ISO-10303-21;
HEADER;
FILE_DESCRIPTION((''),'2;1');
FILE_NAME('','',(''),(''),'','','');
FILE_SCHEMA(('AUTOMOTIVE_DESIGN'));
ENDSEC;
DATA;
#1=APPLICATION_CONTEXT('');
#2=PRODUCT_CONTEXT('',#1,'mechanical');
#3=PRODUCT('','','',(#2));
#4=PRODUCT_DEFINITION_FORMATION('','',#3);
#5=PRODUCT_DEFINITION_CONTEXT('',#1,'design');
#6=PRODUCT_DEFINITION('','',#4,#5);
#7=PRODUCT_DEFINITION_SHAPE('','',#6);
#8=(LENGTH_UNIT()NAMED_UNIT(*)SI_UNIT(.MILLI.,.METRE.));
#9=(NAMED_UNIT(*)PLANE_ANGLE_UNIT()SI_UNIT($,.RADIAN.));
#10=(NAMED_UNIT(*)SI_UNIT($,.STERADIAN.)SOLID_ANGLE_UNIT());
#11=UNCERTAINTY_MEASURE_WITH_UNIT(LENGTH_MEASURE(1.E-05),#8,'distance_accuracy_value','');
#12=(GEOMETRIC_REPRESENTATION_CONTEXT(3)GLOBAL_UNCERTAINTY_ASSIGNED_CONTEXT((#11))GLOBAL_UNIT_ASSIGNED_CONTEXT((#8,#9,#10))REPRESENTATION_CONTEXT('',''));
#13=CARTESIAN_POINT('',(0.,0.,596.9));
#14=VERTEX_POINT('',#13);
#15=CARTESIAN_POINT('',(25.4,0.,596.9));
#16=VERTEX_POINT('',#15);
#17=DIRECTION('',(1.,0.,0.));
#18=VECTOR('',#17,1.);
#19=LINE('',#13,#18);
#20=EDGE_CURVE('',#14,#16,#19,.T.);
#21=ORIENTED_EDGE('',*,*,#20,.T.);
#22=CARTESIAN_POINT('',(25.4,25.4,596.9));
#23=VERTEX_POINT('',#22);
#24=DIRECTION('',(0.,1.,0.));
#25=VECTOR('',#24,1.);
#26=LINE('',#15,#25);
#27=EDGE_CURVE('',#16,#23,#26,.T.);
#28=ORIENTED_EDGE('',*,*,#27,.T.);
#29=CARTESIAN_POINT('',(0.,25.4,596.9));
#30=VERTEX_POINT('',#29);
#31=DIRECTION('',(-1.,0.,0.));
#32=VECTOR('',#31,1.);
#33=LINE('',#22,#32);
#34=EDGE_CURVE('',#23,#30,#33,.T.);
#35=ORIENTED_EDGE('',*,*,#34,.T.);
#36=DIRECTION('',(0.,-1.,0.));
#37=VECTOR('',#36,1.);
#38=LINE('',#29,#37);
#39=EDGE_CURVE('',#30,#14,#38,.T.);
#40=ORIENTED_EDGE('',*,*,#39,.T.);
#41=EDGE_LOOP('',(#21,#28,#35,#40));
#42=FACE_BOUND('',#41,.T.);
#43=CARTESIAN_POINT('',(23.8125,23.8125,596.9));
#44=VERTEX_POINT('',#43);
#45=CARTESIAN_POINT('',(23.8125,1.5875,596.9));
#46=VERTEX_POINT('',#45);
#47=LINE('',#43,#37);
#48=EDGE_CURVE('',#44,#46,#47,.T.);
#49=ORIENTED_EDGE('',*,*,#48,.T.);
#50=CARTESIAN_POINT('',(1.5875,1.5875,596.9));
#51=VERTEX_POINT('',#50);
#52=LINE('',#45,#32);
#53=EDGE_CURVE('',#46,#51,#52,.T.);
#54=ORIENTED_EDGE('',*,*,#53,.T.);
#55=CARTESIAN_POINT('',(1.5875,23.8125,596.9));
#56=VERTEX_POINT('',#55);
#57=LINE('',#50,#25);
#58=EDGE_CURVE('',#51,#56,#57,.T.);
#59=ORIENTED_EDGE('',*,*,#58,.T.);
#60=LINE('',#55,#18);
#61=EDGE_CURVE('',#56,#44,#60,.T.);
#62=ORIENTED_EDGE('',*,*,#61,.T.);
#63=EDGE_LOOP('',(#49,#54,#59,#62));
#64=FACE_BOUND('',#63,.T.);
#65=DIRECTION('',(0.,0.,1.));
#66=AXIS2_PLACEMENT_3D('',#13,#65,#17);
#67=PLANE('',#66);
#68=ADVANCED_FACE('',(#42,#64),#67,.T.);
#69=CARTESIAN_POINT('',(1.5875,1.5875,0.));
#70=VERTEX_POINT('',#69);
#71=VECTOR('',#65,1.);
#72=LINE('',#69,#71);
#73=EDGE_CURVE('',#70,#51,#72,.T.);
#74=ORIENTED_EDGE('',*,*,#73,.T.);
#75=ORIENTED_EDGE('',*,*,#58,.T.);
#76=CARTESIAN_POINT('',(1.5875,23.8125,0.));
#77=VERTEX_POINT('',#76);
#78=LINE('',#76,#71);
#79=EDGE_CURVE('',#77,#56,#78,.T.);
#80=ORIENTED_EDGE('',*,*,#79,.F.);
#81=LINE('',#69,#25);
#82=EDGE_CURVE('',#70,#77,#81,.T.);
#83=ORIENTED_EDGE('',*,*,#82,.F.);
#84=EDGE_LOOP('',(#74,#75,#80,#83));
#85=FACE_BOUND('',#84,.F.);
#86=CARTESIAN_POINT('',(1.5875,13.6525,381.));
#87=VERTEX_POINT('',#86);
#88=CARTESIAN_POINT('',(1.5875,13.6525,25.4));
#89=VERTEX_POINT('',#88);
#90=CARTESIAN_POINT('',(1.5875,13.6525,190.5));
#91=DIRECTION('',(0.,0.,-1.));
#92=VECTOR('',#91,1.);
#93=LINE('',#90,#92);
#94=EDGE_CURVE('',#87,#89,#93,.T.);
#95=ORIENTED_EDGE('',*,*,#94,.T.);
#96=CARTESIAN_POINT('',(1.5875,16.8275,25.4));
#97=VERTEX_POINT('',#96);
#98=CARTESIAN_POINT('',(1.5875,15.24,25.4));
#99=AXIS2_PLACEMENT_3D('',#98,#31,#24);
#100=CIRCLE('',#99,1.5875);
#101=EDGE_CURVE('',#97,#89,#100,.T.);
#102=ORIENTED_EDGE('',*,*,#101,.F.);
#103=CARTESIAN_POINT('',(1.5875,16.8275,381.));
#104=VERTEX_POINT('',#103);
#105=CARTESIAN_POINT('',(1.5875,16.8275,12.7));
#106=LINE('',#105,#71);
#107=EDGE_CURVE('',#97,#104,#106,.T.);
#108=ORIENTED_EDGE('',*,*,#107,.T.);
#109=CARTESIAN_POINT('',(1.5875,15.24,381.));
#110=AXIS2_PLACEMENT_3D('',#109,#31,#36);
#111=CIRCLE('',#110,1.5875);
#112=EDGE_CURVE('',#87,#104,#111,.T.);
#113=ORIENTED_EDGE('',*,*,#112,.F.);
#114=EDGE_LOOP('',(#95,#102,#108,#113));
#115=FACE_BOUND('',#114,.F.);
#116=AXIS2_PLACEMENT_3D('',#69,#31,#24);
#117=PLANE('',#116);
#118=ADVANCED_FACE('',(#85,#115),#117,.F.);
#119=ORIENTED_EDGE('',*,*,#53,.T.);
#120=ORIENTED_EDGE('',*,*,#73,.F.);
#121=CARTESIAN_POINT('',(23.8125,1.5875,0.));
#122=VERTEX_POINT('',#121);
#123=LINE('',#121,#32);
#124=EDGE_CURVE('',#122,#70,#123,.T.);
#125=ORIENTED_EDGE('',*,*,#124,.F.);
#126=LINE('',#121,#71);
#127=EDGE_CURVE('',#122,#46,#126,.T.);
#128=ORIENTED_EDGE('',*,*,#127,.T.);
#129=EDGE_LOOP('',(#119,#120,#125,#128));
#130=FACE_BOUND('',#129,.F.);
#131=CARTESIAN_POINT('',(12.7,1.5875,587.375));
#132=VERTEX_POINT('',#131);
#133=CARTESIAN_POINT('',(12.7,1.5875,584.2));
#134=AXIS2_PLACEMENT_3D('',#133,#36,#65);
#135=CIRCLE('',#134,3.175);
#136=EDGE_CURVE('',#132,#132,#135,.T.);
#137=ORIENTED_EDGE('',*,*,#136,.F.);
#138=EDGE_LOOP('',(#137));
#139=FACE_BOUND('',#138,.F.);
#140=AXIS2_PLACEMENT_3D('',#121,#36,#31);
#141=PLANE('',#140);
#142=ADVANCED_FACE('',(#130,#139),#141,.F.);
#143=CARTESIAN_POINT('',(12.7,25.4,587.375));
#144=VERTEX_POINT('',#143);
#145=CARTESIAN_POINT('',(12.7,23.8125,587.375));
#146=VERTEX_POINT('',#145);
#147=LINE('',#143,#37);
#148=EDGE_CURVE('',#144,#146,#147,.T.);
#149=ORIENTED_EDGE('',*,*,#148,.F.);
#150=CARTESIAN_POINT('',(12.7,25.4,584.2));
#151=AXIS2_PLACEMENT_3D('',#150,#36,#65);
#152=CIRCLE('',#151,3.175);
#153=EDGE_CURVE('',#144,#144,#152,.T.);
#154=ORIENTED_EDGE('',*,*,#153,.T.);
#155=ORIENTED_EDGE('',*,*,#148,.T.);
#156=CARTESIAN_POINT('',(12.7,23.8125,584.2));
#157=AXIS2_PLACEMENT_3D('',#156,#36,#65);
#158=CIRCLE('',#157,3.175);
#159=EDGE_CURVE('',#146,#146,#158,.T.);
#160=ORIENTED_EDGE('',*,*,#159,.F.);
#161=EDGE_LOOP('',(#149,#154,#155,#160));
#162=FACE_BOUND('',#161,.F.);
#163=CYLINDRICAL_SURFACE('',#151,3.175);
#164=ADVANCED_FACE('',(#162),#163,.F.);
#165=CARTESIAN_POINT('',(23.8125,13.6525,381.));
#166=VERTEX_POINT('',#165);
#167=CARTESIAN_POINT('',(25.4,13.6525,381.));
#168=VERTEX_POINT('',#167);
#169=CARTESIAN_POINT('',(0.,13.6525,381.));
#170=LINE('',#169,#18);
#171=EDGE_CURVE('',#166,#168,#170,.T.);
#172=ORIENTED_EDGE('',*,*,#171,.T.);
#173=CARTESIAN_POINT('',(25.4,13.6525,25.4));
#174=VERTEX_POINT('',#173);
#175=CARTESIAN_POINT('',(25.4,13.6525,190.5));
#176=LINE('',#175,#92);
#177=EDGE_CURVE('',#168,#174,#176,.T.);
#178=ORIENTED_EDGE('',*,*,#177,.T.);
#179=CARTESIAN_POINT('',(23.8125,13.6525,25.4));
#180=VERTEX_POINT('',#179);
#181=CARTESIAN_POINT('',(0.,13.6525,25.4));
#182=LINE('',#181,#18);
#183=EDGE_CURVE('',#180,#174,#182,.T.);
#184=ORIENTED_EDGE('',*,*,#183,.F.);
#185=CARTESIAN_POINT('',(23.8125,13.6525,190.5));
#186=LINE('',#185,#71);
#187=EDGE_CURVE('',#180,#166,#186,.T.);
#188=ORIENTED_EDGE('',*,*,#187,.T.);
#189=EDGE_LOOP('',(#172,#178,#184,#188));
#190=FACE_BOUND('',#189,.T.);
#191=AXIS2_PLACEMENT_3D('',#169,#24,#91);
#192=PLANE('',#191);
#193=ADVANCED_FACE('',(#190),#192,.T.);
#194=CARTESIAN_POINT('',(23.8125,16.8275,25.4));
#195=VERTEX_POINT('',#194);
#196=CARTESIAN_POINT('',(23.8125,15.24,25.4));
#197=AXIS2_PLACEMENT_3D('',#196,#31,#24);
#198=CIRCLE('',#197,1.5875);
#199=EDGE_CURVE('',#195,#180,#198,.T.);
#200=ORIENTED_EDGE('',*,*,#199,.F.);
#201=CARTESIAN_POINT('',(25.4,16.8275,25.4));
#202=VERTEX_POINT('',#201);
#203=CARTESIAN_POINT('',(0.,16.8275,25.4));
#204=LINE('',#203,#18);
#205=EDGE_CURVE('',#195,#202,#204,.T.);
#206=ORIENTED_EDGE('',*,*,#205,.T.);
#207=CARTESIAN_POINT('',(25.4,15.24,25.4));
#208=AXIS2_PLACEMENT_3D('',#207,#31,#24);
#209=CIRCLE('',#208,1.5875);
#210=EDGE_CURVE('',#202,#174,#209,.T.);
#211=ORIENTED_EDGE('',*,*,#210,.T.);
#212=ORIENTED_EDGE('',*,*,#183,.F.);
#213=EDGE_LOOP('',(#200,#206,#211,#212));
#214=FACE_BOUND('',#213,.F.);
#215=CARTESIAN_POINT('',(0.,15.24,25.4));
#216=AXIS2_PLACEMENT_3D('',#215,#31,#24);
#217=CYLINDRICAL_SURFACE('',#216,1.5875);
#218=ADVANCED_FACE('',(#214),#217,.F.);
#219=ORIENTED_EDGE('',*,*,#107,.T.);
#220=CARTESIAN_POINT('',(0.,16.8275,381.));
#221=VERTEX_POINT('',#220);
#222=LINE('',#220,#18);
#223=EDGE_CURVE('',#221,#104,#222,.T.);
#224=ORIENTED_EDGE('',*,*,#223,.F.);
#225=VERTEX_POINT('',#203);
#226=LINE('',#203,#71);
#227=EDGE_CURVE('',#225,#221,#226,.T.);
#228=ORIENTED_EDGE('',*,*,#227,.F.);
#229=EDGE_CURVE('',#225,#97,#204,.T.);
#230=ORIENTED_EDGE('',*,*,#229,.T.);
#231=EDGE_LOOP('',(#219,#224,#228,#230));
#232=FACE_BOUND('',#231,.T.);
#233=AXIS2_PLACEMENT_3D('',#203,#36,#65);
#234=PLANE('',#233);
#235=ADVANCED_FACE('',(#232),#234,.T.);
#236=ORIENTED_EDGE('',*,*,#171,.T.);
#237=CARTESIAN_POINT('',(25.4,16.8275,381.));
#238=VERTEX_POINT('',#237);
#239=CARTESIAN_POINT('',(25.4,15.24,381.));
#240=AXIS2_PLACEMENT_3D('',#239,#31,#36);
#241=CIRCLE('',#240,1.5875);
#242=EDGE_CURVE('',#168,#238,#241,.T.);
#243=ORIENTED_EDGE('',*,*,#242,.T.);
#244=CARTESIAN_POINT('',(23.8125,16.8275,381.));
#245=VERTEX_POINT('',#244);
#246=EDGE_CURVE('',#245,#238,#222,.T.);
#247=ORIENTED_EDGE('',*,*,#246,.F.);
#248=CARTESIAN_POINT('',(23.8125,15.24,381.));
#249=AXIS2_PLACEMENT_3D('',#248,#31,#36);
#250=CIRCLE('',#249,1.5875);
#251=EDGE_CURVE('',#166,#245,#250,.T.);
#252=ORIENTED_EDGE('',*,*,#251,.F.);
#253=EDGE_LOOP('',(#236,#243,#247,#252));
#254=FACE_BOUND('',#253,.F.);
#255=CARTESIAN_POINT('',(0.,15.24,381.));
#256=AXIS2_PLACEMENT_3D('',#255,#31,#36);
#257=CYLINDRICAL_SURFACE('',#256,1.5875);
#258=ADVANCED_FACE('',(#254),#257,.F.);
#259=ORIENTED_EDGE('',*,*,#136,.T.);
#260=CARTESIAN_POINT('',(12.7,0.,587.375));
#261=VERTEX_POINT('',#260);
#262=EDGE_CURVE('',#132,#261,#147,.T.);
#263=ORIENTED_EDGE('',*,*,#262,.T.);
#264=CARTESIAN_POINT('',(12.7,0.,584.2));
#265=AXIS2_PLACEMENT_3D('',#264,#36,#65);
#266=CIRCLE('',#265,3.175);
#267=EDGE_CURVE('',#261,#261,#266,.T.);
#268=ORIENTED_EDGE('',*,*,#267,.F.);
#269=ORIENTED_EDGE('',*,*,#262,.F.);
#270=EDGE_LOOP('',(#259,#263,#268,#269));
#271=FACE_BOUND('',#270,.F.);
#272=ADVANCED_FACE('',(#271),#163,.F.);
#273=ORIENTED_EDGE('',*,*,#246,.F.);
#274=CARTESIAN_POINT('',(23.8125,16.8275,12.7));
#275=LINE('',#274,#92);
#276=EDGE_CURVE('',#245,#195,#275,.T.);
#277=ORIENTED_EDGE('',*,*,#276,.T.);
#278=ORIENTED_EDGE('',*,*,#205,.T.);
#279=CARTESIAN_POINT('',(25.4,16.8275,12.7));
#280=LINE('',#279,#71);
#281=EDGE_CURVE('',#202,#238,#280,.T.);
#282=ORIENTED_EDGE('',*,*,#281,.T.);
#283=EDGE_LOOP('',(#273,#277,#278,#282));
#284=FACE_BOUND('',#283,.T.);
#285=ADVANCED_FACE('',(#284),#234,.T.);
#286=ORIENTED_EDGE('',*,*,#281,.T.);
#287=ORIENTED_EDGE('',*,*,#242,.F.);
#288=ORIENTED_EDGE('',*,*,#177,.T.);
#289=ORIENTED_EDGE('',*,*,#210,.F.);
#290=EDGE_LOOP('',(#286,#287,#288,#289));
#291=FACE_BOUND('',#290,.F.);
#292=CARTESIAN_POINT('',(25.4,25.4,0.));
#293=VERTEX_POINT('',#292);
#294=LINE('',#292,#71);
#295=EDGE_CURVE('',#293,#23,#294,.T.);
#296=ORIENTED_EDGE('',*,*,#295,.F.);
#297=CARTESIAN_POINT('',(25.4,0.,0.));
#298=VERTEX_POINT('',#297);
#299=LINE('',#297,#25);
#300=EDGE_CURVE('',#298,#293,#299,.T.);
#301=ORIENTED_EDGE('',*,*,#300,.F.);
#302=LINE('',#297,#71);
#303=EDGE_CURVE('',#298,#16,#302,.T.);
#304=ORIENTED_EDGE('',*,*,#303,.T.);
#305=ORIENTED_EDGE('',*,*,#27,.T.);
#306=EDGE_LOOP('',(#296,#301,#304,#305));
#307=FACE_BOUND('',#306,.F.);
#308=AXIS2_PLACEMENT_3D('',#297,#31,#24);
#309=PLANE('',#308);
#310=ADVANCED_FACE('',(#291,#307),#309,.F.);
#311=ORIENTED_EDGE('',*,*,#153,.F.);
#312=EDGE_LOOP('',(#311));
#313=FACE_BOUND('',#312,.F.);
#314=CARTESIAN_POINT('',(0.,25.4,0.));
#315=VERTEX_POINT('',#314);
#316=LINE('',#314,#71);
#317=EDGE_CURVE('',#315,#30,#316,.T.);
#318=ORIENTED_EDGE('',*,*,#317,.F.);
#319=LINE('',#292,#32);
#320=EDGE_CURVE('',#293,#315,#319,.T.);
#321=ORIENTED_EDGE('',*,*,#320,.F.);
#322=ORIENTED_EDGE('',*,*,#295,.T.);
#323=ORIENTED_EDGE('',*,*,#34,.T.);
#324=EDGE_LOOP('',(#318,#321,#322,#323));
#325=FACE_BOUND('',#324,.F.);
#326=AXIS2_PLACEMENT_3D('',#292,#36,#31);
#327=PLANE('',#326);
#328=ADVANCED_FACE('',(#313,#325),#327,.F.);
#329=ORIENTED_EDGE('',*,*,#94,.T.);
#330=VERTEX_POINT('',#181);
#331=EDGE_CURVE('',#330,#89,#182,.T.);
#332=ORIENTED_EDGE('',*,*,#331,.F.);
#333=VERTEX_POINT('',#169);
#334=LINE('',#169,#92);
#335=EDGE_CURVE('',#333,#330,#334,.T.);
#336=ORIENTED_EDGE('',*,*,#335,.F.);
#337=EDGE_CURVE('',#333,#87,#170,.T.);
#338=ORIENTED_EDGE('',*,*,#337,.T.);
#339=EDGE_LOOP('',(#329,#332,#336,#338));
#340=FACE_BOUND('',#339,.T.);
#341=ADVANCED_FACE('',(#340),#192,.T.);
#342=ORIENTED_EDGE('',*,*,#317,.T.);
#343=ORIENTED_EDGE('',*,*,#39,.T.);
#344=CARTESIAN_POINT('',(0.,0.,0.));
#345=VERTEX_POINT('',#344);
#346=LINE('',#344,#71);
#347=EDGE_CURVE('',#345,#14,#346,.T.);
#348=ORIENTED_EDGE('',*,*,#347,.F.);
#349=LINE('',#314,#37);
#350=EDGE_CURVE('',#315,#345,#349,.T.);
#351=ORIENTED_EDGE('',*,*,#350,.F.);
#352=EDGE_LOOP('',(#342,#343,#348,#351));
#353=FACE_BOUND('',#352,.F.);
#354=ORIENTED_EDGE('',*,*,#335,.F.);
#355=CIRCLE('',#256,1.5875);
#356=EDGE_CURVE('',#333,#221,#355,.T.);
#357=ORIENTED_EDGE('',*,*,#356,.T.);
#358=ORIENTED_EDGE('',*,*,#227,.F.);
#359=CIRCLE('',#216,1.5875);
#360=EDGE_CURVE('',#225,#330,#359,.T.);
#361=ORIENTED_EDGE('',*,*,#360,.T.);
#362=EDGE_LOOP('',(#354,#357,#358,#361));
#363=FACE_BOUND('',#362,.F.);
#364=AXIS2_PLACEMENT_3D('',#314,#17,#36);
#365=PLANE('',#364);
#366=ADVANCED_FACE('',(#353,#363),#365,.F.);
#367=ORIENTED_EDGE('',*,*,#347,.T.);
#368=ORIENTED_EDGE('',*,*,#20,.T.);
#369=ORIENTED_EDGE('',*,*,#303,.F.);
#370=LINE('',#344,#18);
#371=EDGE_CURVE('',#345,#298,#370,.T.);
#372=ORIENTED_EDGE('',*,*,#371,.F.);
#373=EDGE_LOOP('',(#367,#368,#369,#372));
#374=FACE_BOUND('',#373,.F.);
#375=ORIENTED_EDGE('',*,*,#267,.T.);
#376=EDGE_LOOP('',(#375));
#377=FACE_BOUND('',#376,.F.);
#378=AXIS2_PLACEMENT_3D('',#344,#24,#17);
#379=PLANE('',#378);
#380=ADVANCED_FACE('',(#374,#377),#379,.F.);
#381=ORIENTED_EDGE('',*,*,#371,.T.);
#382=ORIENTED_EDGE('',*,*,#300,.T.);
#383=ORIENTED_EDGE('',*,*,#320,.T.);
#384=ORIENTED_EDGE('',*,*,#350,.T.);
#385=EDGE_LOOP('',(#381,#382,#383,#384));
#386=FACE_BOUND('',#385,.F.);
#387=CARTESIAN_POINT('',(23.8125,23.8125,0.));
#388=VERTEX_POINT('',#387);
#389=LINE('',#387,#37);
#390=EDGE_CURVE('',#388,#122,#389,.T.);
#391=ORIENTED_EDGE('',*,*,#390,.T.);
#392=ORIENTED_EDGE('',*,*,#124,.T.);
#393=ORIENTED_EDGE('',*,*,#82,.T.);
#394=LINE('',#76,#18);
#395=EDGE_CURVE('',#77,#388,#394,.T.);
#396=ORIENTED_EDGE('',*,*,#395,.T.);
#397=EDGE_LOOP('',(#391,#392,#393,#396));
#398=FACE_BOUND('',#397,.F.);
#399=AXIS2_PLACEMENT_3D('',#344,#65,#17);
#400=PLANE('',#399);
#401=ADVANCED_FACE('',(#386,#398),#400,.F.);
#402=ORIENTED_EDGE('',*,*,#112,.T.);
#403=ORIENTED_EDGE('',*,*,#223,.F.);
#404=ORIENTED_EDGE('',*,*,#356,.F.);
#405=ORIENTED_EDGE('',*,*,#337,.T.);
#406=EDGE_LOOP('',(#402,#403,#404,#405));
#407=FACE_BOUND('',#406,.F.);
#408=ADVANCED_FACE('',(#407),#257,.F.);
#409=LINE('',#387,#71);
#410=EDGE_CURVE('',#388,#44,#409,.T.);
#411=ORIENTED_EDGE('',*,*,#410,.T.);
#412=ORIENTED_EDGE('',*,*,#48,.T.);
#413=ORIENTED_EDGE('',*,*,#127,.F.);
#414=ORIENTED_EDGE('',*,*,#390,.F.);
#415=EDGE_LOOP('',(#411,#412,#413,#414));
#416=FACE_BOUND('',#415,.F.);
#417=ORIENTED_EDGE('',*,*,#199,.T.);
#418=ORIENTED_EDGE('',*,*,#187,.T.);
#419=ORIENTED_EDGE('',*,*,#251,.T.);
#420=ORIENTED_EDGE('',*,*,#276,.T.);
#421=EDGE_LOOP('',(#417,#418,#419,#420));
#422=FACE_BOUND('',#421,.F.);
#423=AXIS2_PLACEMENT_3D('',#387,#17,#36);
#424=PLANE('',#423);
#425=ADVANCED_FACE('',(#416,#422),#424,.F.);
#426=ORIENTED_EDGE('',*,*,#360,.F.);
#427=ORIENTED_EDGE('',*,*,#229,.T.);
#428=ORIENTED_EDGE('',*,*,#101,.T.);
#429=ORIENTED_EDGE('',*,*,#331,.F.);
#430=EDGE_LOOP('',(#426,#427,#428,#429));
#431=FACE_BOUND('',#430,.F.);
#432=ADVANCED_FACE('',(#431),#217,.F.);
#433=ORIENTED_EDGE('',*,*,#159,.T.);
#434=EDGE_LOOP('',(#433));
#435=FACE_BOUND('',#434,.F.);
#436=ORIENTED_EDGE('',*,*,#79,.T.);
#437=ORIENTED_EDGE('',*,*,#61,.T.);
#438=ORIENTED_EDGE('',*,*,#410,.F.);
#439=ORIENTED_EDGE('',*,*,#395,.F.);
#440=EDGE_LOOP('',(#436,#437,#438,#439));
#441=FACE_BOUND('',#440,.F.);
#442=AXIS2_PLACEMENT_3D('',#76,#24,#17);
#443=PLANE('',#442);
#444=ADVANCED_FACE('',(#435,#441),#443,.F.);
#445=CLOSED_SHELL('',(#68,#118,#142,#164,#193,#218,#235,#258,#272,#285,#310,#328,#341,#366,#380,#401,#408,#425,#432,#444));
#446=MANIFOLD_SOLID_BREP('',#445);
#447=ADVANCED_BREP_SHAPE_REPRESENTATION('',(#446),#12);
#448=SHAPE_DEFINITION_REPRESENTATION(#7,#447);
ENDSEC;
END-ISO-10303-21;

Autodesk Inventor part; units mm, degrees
ref_plane "YZ Plane" through (0, 0, 0) normal (1, 0, 0) x (0, 1, 0)
ref_plane "XZ Plane" through (0, 0, 0) normal (0, 1, 0) x (-1, 0, 0)
ref_plane "XY Plane" through (0, 0, 0) normal (0, 0, 1) x (1, 0, 0)
sketch "Sketch1" plane through (0, 0, 0) normal (0, 0, 1) x (1, 0, 0)
  line L0 (0, 0) -> (25.4, 0)
  line L1 (25.4, 0) -> (25.4, 25.4)
  line L2 (25.4, 25.4) -> (0, 25.4)
  line L3 (0, 25.4) -> (0, 0)
  line L4 (1.5875, 23.8125) -> (23.8125, 23.8125)
  line L5 (23.8125, 23.8125) -> (23.8125, 1.5875)
  line L6 (23.8125, 1.5875) -> (1.5875, 1.5875)
  line L7 (1.5875, 1.5875) -> (1.5875, 23.8125)
  dimension "d0" = 25.4
  dimension "d1" = 25.4
  dimension "d2" = 1.5875
extrude "Extrusion1" add sketch "Sketch1" along normal blind 596.9
sketch "Sketch2" plane through (0, 0, 0) normal (-1, 0, 0) x (0, 0, 1)
  line L0 (0, 25.4) -> (0, 0) projected
  line L1 (0, 0) -> (596.9, 0) projected
  line L2 (596.9, 25.4) -> (596.9, 0) projected
  line L3 (0, 25.4) -> (596.9, 25.4) projected
  line L4 (25.4, 16.8275) -> (381, 16.8275)
  arc A0 (381, 13.6525) -> (381, 16.8275) centre (381, 15.24) ccw
  line L5 (381, 13.6525) -> (25.4, 13.6525)
  arc A1 (25.4, 16.8275) -> (25.4, 13.6525) centre (25.4, 15.24) ccw
  dimension "d5" = 3.175
  dimension "d6" = 355.6
  dimension "d9" = 10.16
  dimension "d24" = 25.4
extrude "Extrusion2" cut sketch "Sketch2" against normal through all contours L4 A0 L5 A1
sketch "Sketch3" plane through (0, 25.4, 0) normal (0, 1, 0) x (1, 0, 0)
  line L0 (25.4, 0) -> (0, 0) projected
  line L1 (0, 0) -> (0, -596.9) projected
  line L2 (25.4, -596.9) -> (0, -596.9) projected
  line L3 (25.4, 0) -> (25.4, -596.9) projected
  point P0 (0, 0)
  point P1 (12.7, -584.2)
  dimension "d13" = 12.7
  dimension "d14" = 12.7
  dimension "d23" = 12.7
hole "Hole1" at (12.7, 25.4, 584.2) direction (0, -1, 0) diameter 6.35 end through all
equation "\"d13\" = d14"
properties part number "ScissorLiftBase"
